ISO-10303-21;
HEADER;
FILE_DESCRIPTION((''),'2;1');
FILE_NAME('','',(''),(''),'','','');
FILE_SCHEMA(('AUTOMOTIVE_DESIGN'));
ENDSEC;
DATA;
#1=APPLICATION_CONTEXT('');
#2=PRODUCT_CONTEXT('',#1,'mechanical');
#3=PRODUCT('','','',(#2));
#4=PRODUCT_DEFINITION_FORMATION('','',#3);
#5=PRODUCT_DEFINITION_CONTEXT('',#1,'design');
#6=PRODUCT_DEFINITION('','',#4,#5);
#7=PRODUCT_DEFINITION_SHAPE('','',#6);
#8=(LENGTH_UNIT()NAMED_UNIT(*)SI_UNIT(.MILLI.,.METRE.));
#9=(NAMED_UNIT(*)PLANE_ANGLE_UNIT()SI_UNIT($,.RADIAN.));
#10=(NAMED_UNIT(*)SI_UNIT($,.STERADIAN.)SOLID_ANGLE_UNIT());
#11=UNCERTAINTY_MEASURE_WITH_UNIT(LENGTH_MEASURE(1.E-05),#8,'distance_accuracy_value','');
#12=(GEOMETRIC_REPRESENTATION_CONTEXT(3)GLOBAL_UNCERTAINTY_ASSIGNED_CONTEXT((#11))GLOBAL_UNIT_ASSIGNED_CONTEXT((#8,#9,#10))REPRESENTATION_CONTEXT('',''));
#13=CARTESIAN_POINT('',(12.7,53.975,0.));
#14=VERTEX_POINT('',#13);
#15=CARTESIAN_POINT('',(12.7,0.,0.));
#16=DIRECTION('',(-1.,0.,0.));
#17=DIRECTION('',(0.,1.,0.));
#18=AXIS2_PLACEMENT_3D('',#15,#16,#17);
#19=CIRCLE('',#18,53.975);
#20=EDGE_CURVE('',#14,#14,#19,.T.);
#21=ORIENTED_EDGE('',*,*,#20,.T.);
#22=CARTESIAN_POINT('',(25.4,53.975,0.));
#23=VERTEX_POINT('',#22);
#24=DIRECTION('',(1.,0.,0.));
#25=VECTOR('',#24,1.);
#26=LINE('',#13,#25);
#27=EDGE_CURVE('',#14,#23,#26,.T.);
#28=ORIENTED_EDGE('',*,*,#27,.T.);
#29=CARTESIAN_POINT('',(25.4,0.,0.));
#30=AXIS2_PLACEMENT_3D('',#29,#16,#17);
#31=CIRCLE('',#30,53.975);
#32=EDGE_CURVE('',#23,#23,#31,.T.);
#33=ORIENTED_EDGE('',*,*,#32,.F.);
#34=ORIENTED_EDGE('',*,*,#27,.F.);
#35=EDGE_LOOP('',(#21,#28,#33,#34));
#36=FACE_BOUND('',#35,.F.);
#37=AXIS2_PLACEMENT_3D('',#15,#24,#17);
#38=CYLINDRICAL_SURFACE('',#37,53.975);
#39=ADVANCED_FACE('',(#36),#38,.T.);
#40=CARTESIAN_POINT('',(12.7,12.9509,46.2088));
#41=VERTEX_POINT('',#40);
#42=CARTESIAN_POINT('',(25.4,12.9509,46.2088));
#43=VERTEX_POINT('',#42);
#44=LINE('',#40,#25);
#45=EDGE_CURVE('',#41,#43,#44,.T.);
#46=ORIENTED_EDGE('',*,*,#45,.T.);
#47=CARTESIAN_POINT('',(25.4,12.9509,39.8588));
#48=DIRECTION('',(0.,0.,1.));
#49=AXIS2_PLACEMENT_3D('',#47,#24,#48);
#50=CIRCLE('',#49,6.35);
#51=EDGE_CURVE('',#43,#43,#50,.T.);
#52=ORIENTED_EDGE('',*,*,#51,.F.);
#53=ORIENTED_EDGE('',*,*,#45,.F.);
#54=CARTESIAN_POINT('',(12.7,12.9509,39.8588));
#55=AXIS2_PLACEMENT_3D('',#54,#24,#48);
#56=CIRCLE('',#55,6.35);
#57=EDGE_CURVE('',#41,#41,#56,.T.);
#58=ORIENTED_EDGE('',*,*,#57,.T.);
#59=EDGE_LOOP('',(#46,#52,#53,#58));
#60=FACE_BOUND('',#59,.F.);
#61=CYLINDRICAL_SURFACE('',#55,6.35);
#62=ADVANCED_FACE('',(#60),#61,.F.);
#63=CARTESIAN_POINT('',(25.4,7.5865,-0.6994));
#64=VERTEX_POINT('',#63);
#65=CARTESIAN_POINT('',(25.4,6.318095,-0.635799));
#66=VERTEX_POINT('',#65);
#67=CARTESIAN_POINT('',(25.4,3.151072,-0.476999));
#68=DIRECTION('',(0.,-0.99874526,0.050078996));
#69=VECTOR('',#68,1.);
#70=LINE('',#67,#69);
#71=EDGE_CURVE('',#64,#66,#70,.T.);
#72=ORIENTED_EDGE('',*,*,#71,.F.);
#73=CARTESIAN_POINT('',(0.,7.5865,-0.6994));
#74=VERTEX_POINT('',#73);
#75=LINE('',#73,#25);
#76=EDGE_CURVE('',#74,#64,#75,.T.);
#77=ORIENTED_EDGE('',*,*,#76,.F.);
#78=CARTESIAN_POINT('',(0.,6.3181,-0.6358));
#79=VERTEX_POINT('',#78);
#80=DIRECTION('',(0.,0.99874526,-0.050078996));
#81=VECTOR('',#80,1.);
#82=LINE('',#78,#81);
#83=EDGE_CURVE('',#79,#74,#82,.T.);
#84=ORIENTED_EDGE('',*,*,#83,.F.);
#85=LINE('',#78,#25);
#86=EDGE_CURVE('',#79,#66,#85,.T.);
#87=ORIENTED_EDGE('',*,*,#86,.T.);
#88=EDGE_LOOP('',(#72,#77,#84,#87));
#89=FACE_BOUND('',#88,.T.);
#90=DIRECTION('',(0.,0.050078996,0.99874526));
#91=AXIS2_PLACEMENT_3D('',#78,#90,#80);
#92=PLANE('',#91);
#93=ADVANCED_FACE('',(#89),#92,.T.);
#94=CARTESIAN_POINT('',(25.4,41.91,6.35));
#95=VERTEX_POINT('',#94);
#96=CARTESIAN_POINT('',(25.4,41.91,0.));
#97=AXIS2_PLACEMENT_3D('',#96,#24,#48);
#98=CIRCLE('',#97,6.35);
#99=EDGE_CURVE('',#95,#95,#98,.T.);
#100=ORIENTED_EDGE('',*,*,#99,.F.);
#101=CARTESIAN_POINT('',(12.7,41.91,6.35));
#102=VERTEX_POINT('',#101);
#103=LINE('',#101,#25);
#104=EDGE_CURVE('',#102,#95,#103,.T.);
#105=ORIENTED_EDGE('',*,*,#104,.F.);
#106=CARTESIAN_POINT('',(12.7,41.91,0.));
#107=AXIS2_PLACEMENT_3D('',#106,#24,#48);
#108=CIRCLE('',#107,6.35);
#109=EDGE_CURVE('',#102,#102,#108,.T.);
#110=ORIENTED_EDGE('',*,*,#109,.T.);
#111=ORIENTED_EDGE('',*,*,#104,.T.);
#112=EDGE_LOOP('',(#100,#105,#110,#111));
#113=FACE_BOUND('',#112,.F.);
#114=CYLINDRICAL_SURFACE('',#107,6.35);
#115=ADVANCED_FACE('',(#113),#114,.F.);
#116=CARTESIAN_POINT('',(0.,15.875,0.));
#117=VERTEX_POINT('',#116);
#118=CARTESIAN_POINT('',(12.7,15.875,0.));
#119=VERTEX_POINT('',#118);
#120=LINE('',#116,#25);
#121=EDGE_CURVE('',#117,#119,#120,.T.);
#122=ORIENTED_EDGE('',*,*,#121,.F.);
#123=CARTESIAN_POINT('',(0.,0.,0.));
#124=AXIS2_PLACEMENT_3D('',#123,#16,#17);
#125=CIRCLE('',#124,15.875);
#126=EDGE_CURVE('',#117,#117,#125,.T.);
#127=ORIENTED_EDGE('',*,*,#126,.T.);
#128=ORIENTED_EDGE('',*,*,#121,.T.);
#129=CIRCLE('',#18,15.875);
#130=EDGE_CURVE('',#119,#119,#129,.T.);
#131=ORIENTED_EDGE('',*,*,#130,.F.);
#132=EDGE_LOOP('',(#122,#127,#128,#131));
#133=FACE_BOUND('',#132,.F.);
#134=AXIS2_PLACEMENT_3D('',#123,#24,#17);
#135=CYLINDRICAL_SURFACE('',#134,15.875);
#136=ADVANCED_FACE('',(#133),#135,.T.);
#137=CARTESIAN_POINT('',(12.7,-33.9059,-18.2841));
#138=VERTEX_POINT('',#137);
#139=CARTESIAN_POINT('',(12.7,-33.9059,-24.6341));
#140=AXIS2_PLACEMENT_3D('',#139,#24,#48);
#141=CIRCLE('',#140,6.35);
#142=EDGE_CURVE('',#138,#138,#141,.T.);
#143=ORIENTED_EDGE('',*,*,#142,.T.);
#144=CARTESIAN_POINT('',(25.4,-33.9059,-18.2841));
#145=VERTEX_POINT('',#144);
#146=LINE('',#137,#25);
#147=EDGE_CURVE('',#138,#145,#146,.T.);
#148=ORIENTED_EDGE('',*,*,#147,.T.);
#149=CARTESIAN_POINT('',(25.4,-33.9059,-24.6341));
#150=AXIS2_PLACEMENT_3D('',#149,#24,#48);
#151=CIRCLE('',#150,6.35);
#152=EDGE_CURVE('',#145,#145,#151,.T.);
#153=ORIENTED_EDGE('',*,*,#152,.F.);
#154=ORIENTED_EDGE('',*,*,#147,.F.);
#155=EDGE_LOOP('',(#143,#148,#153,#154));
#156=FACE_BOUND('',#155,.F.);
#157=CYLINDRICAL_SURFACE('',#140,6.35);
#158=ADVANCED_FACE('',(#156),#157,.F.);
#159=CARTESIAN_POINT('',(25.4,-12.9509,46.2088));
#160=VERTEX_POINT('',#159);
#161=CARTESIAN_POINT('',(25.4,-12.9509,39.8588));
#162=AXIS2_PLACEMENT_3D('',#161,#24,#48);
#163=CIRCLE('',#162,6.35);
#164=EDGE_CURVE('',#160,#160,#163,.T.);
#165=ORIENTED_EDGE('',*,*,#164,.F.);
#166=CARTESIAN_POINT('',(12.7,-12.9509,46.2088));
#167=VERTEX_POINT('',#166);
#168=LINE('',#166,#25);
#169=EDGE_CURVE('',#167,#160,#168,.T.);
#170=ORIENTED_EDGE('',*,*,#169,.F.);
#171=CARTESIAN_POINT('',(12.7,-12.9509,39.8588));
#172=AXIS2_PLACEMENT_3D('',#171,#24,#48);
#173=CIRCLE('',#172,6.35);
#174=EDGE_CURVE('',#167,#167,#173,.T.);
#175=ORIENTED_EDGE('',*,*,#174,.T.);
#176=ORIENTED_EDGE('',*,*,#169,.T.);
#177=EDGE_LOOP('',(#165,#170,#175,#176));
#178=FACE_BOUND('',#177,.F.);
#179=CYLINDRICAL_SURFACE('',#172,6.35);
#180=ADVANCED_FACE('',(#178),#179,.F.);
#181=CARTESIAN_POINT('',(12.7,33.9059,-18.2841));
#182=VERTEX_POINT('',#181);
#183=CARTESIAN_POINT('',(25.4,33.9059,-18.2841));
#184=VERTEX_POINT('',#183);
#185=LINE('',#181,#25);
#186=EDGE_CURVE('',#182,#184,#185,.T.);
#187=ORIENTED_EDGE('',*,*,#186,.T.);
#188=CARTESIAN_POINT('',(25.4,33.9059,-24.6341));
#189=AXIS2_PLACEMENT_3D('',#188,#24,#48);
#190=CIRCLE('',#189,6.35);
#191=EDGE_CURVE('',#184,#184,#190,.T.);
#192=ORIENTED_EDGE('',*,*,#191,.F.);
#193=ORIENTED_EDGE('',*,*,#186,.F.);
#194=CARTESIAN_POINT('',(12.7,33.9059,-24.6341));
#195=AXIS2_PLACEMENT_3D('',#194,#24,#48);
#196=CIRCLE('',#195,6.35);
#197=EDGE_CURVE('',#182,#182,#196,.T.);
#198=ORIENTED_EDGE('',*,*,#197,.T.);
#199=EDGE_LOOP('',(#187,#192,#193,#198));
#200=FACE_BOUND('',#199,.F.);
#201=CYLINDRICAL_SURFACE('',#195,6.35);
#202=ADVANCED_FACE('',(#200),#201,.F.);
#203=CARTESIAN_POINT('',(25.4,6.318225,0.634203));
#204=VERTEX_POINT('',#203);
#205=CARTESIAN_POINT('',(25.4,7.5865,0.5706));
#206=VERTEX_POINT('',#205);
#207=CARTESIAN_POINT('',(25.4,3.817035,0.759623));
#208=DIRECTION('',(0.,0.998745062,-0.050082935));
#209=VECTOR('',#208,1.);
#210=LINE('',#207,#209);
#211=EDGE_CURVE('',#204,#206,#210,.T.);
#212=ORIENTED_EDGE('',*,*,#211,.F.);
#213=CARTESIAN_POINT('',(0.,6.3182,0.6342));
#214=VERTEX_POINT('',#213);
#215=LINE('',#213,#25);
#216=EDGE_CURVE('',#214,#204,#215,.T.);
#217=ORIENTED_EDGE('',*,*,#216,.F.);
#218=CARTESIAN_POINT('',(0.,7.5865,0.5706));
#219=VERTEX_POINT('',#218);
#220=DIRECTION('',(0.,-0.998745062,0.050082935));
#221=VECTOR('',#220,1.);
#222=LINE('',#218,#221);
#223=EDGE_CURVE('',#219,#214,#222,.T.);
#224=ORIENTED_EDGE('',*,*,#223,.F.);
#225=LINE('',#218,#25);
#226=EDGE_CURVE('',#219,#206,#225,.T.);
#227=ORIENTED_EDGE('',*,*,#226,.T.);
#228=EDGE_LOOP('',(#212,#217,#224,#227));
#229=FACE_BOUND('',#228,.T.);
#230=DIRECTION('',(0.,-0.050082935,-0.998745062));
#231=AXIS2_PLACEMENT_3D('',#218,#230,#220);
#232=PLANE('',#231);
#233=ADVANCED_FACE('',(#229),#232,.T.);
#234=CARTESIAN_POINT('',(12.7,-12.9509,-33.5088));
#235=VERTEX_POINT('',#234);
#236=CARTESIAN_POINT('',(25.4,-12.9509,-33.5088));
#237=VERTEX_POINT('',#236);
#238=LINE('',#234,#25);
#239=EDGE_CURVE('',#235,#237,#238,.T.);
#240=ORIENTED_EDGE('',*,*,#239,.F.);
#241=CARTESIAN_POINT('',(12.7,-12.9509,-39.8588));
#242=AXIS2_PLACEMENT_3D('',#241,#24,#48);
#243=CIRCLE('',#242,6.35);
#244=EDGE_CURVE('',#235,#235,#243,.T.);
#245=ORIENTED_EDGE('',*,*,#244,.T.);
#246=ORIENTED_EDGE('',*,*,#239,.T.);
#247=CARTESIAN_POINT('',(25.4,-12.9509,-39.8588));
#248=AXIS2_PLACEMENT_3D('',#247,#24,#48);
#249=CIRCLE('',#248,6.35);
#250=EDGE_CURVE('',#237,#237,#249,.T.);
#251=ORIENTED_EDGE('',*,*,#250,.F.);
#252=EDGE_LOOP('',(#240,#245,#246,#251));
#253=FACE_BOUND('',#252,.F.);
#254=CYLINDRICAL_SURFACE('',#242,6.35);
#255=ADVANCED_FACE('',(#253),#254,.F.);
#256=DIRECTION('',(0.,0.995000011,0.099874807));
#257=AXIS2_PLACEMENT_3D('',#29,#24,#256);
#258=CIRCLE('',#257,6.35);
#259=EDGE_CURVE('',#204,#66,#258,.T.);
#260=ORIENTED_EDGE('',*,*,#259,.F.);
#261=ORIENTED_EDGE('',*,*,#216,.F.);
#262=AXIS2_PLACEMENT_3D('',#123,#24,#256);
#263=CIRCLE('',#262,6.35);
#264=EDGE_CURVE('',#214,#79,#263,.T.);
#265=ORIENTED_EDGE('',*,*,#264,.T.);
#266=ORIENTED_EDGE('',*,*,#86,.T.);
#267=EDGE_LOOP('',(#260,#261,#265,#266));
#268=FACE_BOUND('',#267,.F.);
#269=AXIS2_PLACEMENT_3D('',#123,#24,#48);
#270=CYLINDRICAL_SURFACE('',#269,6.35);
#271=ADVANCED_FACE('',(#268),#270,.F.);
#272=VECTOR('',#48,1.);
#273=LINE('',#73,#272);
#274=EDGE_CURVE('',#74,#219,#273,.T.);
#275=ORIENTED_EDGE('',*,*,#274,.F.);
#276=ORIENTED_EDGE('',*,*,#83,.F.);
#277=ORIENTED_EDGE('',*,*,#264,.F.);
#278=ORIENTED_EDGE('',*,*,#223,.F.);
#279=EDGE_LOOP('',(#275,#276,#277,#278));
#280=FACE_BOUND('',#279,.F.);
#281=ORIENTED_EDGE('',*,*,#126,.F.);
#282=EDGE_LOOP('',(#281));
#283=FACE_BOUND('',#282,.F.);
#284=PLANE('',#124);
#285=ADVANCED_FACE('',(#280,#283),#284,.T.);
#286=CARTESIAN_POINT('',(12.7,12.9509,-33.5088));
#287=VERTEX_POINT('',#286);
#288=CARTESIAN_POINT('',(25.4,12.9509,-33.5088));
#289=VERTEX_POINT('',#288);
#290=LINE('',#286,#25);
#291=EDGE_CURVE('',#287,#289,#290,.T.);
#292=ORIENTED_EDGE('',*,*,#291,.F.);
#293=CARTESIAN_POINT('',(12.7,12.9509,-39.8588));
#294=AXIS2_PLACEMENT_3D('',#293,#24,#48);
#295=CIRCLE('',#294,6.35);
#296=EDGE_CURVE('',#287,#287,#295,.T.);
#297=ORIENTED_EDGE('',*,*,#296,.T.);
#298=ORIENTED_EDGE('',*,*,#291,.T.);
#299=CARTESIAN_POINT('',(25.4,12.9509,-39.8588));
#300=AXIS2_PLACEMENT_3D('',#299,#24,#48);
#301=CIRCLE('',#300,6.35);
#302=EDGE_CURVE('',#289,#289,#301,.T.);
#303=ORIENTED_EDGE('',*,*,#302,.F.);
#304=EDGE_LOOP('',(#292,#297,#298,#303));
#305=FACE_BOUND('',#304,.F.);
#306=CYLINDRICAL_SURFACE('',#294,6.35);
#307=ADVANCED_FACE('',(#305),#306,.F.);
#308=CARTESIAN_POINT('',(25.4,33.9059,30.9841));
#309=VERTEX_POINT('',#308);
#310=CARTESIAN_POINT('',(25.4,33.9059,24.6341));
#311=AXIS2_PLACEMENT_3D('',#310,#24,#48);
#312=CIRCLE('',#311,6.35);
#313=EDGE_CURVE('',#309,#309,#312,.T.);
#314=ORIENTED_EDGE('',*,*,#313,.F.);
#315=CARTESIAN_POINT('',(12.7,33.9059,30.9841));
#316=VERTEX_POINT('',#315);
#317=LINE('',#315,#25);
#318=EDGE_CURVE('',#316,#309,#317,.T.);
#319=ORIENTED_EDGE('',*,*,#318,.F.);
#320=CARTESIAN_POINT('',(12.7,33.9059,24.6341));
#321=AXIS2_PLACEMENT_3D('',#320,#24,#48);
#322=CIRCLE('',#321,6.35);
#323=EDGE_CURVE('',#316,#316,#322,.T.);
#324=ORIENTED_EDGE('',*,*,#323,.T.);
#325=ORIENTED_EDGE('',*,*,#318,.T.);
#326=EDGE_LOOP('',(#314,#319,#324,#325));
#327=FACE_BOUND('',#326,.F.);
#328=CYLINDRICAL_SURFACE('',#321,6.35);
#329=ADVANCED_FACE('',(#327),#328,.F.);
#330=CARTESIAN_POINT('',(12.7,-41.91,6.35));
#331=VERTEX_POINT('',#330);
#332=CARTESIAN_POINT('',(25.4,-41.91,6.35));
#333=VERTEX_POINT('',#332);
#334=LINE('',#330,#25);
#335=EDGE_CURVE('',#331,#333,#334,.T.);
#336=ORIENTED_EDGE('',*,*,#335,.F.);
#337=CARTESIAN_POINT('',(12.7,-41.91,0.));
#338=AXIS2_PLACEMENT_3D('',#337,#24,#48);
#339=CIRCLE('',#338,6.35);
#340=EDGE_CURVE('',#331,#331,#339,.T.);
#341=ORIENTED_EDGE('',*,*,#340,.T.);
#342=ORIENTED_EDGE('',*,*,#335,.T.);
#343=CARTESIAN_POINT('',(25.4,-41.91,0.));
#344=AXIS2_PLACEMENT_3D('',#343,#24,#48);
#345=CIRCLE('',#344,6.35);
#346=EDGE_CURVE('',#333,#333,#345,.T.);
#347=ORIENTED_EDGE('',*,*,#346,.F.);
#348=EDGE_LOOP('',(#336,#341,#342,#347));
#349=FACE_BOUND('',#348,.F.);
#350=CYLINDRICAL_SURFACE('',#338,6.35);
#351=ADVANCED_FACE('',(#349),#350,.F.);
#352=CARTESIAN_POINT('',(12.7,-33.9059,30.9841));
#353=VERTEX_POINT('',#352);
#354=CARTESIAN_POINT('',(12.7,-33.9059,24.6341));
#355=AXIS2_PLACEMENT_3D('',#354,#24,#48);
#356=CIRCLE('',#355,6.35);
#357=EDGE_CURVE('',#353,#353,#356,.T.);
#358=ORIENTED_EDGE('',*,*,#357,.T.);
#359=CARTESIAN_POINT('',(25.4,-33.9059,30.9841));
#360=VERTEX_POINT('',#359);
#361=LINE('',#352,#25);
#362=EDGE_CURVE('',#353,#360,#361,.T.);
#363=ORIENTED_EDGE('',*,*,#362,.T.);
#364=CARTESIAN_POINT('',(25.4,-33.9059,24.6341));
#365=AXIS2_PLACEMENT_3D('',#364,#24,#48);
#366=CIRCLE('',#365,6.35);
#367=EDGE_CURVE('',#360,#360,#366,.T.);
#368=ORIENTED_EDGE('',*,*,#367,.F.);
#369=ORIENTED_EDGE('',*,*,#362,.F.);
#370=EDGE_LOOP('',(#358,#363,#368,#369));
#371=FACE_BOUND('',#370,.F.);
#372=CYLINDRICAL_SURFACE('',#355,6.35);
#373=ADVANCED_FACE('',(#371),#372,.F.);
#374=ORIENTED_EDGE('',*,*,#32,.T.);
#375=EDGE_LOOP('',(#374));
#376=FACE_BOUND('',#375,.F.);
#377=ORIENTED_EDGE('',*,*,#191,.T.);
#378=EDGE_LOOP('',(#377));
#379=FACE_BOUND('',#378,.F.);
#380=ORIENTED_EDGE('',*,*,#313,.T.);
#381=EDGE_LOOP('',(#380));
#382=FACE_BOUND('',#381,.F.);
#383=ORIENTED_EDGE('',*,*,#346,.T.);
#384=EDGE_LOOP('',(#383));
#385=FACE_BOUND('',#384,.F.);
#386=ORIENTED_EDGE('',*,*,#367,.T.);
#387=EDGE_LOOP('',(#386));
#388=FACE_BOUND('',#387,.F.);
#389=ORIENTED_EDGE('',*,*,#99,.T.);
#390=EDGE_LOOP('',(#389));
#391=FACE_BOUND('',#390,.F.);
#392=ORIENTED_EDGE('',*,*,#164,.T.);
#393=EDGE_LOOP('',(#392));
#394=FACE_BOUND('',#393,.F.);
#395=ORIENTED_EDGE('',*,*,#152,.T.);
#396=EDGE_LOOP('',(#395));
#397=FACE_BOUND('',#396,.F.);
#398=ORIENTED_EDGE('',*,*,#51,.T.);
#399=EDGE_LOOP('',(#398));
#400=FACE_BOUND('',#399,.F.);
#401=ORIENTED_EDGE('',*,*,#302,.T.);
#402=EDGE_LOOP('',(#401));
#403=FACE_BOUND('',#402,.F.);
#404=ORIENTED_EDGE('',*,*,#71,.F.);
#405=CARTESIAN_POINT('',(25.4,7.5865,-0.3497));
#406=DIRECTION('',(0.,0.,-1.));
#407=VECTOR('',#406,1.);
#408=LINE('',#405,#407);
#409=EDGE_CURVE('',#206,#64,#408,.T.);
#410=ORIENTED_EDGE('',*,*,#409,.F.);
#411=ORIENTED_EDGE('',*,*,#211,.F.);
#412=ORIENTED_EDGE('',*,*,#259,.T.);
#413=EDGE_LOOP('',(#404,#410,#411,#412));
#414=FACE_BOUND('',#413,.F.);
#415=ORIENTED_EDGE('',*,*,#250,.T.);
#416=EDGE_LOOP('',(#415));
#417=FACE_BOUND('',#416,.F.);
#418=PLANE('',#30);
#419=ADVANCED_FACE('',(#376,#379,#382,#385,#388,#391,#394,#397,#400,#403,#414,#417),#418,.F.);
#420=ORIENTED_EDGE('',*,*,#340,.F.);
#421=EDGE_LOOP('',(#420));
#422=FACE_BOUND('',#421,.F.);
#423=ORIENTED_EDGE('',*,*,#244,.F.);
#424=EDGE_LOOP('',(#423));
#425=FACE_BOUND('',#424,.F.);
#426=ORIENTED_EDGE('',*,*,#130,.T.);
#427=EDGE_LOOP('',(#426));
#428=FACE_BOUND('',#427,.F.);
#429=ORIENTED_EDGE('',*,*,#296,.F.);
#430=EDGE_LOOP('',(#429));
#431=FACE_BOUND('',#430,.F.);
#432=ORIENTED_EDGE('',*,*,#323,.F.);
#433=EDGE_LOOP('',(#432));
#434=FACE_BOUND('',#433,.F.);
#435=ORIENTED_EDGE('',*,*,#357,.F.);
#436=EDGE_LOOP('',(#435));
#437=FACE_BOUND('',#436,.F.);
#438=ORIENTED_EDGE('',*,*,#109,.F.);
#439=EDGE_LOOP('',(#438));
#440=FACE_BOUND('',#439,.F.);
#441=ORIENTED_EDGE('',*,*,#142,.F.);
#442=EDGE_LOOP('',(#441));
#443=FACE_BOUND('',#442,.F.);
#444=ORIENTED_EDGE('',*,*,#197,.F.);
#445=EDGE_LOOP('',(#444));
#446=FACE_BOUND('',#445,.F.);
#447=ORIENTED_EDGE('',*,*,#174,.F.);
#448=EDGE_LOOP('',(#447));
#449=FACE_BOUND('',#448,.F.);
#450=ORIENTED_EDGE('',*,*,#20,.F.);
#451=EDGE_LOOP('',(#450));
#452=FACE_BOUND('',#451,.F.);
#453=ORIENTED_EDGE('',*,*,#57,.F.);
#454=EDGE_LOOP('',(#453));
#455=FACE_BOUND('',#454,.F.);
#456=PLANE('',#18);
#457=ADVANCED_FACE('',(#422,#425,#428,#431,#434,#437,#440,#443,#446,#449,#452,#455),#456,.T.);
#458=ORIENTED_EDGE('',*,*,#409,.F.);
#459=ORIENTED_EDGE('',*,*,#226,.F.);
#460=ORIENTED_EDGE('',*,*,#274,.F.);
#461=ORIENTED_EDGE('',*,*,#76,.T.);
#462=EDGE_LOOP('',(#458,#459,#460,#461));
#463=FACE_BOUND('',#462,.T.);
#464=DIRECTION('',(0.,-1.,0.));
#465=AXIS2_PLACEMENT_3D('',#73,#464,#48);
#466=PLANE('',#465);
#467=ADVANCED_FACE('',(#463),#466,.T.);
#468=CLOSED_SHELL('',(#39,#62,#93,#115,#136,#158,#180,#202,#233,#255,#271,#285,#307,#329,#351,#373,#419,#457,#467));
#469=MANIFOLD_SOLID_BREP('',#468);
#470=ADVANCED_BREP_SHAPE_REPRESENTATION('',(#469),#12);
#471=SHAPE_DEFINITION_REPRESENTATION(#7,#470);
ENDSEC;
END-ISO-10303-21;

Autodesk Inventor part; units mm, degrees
ref_plane "YZ Plane" through (0, 0, 0) normal (1, 0, 0) x (0, 1, 0)
ref_plane "XZ Plane" through (0, 0, 0) normal (0, 1, 0) x (-1, 0, 0)
ref_plane "XY Plane" through (0, 0, 0) normal (0, 0, 1) x (1, 0, 0)
sketch "Sketch1" plane through (0, 0, 0) normal (0, 0, 1) x (1, 0, 0)
  line L0 (0, 0) -> (0, 15.875)
  line L1 (0, 15.875) -> (12.7, 15.875)
  line L2 (12.7, 15.875) -> (12.7, 53.975)
  line L3 (12.7, 53.975) -> (25.4, 53.975)
  line L4 (25.4, 53.975) -> (25.4, 0)
  line L5 (25.4, 0) -> (0, 0)
  dimension "d0" = 15.875
  dimension "d1" = 12.7
  dimension "d2" = 38.1
  dimension "d3" = 12.7
revolve "Revolution1" add sketch "Sketch1" angle 360 about axis through (25.4, 0, 0) along (-1, 0, 0)
sketch "Sketch2" plane through (0, 0, 0) normal (-1, 0, 0) x (0, 0, 1)
  point P0 (0, 0)
  point P1 (0, 0)
hole "Hole1" at (0, 0, 0) direction (1, 0, 0) diameter 12.7 end through all
sketch "Sketch3" plane through (12.7, 0, 0) normal (-1, 0, 0) x (0, 0, 1)
  circle A0 centre (0, 0) radius 41.91 construction
  point P0 (0, 83.82)
  point P1 (0, 41.91)
  point P2 (-24.6341, 33.9059)
  point P3 (-39.8588, 12.9509)
  point P4 (-39.8588, -12.9509)
  point P5 (-24.6341, -33.9059)
  point P6 (0, -41.91)
  point P7 (24.6341, -33.9059)
  point P8 (39.8588, -12.9509)
  point P9 (39.8588, 12.9509)
  point P10 (24.6341, 33.9059)
  dimension "d13" = 83.82
  dimension "d16" = 360
hole "Hole2" at (12.7, 83.82, 0) at (12.7, 41.91, 0) at (12.7, 33.9059, -24.6341) at (12.7, 12.9509, -39.8588) at (12.7, -12.9509, -39.8588) at (12.7, -33.9059, -24.6341) at (12.7, -41.91, 0) at (12.7, -33.9059, 24.6341) at (12.7, -12.9509, 39.8588) at (12.7, 12.9509, 39.8588) at (12.7, 33.9059, 24.6341) direction (1, 0, 0) diameter 12.7 end through all
sketch "Sketch4" plane through (0, 0, 0) normal (-1, 0, 0) x (0, 0, 1)
  circle A0 centre (0, 0) radius 6.35 projected
  line L0 (0, 0) -> (0, 10.0164) construction
  line L1 (0, 6.35) -> (0.6342, 6.3182)
  line L2 (0, 6.35) -> (-0.6358, 6.3181)
  line L3 (-0.6358, 6.3181) -> (-0.6994, 7.5865)
  line L4 (-0.6994, 7.5865) -> (0.5706, 7.5865)
  line L5 (0.5706, 7.5865) -> (0.6342, 6.3182)
  dimension "d27" = 0.635
  dimension "d28" = 1.27
  dimension "d29" = 1.27
extrude "Extrusion1" cut sketch "Sketch4" against normal up to next contours A0 L3 L4 L5
properties part number "CircularPattern"
